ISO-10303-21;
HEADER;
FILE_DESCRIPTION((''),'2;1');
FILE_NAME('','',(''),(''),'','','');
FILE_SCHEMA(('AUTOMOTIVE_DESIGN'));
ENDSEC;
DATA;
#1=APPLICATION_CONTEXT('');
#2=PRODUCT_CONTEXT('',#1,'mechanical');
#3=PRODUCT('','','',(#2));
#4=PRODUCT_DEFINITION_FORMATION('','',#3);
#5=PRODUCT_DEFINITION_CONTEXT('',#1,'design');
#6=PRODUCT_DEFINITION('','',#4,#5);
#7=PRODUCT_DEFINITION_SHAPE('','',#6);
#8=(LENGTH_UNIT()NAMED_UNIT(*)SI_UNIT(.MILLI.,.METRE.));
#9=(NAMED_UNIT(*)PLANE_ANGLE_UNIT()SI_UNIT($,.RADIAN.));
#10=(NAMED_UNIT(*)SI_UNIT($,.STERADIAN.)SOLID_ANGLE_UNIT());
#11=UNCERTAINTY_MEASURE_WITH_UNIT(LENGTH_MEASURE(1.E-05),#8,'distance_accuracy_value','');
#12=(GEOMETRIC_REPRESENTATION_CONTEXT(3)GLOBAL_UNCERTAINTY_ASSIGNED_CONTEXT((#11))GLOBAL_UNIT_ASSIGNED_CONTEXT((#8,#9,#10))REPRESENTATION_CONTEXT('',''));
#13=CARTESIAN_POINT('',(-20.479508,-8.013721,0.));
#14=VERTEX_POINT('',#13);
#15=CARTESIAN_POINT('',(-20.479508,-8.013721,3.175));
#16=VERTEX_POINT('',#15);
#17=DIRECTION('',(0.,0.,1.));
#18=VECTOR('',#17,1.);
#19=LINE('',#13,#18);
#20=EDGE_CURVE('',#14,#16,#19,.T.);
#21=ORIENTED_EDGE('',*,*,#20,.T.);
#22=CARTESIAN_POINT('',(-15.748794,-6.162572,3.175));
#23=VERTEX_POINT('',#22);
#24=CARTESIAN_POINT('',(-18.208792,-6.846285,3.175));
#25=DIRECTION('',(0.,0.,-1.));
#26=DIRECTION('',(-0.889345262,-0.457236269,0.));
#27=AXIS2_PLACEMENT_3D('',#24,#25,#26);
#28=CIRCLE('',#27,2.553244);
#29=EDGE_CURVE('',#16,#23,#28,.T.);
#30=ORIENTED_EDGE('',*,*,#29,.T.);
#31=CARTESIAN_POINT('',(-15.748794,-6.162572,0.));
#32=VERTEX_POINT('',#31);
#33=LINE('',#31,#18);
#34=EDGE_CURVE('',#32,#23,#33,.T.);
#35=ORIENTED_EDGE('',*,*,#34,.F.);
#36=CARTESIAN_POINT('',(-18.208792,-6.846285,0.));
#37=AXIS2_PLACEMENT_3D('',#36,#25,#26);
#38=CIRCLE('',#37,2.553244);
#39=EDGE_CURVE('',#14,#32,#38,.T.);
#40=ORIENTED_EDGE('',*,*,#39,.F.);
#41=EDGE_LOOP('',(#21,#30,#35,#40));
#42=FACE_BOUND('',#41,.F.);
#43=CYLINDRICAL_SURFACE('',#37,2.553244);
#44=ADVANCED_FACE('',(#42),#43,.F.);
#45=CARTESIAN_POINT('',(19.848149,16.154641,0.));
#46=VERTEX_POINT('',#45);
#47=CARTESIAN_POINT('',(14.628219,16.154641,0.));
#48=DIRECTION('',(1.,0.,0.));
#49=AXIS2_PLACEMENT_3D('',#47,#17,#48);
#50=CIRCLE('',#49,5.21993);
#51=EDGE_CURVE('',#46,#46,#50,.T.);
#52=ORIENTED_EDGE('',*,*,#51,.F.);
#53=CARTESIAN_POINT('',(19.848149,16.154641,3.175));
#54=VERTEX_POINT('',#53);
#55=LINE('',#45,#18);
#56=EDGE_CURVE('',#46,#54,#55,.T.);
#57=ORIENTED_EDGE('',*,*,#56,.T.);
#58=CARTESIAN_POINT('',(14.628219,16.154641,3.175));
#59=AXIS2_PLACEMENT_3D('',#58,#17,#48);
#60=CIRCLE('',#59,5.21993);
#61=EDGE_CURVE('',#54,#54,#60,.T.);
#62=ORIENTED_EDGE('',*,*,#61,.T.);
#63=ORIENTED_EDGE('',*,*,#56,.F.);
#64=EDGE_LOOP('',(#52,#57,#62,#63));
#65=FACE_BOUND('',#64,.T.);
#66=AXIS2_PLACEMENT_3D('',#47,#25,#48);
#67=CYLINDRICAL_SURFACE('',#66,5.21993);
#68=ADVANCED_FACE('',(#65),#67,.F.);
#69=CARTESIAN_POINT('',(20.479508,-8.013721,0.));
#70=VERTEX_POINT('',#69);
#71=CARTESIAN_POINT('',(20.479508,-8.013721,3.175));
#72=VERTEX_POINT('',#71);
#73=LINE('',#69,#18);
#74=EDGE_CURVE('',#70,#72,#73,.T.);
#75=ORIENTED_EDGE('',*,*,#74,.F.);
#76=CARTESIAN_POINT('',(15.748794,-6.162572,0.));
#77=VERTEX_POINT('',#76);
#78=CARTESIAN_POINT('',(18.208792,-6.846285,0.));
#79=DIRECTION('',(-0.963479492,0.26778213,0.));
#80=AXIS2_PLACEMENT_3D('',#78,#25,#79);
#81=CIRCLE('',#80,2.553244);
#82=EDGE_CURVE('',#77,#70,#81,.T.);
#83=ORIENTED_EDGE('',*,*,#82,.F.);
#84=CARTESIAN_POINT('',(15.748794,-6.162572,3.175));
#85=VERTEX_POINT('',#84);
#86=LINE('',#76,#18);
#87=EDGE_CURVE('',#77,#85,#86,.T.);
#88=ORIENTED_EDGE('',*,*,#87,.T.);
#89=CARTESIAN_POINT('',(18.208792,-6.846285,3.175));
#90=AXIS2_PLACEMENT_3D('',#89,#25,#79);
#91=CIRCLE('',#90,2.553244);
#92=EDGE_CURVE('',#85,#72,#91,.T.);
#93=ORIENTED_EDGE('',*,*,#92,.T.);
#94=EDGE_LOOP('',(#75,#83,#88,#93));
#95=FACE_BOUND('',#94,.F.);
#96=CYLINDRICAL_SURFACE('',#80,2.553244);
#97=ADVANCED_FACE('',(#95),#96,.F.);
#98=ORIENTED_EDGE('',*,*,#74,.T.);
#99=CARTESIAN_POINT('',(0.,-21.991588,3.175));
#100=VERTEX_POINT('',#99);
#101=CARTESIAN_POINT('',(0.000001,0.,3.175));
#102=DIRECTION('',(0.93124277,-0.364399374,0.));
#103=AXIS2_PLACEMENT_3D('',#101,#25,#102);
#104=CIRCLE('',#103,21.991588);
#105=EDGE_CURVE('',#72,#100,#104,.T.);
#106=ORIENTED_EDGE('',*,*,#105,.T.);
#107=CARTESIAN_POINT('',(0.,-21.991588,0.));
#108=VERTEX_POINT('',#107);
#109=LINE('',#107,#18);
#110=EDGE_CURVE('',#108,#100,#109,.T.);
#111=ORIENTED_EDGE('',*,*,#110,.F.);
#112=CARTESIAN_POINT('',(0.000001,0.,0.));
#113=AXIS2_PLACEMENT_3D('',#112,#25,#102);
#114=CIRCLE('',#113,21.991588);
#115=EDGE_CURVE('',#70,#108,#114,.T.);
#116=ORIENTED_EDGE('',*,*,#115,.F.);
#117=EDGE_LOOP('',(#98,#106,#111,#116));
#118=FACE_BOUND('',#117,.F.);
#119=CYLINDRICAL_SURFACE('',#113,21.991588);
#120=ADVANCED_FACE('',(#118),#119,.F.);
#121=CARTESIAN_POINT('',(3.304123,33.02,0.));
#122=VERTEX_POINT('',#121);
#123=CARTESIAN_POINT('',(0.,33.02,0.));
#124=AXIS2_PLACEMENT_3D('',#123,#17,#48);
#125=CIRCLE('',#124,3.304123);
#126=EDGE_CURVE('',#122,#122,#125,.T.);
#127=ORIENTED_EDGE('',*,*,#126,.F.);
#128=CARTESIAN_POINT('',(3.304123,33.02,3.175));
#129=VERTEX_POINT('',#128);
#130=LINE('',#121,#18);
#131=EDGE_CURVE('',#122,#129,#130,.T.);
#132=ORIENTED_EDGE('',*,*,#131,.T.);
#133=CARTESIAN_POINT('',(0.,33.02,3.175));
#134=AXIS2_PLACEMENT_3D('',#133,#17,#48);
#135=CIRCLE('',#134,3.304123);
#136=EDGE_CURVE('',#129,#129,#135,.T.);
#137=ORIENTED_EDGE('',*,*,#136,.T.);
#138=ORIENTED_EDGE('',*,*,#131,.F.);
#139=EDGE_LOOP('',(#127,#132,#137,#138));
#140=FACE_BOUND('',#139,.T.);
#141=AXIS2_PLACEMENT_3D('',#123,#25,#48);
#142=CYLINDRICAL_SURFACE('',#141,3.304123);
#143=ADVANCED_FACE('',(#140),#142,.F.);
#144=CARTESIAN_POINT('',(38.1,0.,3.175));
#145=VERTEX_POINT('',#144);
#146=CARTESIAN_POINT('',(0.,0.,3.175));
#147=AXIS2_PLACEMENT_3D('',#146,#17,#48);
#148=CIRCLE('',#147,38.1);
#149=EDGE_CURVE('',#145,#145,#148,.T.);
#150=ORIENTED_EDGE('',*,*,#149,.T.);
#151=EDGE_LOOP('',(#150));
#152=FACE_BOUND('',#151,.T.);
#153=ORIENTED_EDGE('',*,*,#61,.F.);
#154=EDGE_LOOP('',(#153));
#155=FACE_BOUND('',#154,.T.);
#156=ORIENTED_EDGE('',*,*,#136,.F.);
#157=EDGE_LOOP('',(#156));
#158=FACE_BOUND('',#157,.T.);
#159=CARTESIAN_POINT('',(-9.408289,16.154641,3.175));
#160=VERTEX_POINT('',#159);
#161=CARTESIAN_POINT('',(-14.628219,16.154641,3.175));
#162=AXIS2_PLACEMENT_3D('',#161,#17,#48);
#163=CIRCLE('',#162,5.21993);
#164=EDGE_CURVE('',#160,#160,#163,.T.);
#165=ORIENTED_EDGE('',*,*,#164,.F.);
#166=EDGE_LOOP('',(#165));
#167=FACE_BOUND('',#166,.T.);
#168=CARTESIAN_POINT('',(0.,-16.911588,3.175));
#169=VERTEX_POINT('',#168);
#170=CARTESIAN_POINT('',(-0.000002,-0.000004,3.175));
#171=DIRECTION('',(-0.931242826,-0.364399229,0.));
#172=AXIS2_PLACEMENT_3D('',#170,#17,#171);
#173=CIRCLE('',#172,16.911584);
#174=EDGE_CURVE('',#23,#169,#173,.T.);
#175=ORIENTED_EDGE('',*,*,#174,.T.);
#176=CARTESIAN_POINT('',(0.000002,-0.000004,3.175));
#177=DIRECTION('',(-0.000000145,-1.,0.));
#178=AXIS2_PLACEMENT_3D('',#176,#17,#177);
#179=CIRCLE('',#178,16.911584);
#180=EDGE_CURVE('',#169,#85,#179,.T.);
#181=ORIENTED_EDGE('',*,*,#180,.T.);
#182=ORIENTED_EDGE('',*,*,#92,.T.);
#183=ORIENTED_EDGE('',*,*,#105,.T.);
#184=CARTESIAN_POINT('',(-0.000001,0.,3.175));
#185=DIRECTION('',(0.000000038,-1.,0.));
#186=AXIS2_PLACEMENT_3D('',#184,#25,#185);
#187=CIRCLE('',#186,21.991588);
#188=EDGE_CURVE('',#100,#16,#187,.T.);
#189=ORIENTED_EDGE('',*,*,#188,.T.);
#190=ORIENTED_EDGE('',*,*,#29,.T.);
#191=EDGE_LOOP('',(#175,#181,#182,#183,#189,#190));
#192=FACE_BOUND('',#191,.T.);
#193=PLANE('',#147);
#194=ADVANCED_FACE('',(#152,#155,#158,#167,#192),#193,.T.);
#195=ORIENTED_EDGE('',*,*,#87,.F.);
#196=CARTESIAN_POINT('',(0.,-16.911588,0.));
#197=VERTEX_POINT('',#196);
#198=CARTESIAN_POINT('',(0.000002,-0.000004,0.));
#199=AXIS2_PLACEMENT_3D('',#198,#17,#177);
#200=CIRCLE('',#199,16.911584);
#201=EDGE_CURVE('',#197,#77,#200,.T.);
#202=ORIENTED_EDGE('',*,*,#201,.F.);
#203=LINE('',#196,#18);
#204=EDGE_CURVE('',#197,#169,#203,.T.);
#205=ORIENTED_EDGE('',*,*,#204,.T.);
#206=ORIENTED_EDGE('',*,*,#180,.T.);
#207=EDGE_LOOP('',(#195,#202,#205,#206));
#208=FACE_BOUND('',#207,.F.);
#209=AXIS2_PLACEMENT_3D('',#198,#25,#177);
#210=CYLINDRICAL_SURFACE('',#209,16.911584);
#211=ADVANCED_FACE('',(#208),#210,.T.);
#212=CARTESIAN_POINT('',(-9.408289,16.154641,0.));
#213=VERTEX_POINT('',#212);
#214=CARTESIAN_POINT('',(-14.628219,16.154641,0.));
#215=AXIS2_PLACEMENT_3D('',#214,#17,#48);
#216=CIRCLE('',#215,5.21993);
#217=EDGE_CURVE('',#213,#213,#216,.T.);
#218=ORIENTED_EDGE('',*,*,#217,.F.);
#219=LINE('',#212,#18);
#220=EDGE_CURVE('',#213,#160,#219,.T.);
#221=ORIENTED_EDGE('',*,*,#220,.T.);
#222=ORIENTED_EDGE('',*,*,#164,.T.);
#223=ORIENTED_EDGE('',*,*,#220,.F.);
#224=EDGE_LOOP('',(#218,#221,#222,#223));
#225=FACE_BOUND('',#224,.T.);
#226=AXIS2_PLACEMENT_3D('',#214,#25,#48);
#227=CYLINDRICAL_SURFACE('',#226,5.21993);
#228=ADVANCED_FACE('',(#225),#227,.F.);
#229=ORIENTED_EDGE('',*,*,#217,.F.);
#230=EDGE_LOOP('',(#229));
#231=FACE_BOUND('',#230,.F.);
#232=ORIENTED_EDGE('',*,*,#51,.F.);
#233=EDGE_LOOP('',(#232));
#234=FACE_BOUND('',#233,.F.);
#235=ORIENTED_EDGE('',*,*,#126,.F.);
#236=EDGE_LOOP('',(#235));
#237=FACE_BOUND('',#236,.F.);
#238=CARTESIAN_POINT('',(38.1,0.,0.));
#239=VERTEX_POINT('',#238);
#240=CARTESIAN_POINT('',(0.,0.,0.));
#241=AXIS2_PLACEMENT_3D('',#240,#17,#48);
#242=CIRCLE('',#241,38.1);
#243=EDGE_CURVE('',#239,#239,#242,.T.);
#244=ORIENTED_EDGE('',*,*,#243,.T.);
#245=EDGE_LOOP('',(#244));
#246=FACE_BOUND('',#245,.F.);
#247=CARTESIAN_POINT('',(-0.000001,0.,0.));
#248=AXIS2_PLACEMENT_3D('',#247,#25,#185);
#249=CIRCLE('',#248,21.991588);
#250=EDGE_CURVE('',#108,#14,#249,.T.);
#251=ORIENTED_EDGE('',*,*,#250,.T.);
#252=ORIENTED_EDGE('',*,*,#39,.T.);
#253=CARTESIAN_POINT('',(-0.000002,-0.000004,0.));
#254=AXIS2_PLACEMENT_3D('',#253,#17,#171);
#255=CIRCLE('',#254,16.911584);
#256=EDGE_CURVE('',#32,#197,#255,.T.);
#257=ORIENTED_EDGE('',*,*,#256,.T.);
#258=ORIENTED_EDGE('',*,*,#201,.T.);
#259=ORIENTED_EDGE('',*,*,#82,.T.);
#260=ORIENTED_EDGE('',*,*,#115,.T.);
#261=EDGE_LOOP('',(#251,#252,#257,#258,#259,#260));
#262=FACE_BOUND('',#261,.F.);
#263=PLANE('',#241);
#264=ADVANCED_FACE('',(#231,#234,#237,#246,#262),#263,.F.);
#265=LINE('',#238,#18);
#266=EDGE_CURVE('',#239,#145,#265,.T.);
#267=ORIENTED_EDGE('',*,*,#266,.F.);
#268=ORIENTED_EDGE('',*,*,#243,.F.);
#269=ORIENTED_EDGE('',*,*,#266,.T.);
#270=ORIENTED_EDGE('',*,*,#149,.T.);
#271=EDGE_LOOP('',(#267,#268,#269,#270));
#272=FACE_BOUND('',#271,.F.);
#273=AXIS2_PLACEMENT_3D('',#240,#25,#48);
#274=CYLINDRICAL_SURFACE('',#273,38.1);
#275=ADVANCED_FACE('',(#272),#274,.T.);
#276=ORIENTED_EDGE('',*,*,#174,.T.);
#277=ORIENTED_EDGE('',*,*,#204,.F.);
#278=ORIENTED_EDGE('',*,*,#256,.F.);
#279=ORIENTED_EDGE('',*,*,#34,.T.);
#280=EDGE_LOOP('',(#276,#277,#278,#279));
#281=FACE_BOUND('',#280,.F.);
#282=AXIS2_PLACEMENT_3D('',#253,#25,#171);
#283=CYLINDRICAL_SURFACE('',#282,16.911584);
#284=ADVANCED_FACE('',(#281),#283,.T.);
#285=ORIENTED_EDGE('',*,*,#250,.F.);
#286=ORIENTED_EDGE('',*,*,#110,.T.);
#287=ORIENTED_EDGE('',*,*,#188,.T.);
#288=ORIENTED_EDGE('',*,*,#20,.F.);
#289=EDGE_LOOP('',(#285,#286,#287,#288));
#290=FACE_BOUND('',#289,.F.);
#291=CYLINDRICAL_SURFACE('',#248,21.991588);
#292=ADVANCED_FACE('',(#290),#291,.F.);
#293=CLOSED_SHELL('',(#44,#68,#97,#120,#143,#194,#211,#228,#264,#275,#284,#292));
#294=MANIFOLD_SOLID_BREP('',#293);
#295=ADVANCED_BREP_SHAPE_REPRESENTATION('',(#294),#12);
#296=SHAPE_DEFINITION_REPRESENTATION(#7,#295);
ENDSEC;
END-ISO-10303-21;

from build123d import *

# Parameters (mm, degrees)
F0_R     = 38.1
F0_R_2   = 5.21993
F0_R_3   = 3.304123
F1_DEPTH = 3.175


with BuildPart() as f1:
    # F0 (on Top) → F1 (new body)
    with BuildSketch(Plane.XY):
        Circle(F0_R)
        with BuildLine():
            ThreePointArc((0, -21.991588), (-12.39749, -18.164036), (-20.479508, -8.013721))
            ThreePointArc((-20.479508, -8.013721), (-19.139193, -4.468595), (-15.748794, -6.162572))
            ThreePointArc((-15.748794, -6.162572), (-9.533702, -13.968191), (0, -16.911588))
            ThreePointArc((0, -16.911588), (9.533702, -13.968191), (15.748794, -6.162572))
            ThreePointArc((15.748794, -6.162572), (19.139193, -4.468595), (20.479508, -8.013721))
            ThreePointArc((20.479508, -8.013721), (12.39749, -18.164036), (0, -21.991588))
        make_face(mode=Mode.SUBTRACT)
        with Locations((-14.628219, 16.154641)):
            Circle(F0_R_2, mode=Mode.SUBTRACT)
        with Locations((14.628219, 16.154641)):
            Circle(F0_R_2, mode=Mode.SUBTRACT)
        with Locations((0, 33.02)):
            Circle(F0_R_3, mode=Mode.SUBTRACT)
    extrude(amount=F1_DEPTH)


solid = f1.part
